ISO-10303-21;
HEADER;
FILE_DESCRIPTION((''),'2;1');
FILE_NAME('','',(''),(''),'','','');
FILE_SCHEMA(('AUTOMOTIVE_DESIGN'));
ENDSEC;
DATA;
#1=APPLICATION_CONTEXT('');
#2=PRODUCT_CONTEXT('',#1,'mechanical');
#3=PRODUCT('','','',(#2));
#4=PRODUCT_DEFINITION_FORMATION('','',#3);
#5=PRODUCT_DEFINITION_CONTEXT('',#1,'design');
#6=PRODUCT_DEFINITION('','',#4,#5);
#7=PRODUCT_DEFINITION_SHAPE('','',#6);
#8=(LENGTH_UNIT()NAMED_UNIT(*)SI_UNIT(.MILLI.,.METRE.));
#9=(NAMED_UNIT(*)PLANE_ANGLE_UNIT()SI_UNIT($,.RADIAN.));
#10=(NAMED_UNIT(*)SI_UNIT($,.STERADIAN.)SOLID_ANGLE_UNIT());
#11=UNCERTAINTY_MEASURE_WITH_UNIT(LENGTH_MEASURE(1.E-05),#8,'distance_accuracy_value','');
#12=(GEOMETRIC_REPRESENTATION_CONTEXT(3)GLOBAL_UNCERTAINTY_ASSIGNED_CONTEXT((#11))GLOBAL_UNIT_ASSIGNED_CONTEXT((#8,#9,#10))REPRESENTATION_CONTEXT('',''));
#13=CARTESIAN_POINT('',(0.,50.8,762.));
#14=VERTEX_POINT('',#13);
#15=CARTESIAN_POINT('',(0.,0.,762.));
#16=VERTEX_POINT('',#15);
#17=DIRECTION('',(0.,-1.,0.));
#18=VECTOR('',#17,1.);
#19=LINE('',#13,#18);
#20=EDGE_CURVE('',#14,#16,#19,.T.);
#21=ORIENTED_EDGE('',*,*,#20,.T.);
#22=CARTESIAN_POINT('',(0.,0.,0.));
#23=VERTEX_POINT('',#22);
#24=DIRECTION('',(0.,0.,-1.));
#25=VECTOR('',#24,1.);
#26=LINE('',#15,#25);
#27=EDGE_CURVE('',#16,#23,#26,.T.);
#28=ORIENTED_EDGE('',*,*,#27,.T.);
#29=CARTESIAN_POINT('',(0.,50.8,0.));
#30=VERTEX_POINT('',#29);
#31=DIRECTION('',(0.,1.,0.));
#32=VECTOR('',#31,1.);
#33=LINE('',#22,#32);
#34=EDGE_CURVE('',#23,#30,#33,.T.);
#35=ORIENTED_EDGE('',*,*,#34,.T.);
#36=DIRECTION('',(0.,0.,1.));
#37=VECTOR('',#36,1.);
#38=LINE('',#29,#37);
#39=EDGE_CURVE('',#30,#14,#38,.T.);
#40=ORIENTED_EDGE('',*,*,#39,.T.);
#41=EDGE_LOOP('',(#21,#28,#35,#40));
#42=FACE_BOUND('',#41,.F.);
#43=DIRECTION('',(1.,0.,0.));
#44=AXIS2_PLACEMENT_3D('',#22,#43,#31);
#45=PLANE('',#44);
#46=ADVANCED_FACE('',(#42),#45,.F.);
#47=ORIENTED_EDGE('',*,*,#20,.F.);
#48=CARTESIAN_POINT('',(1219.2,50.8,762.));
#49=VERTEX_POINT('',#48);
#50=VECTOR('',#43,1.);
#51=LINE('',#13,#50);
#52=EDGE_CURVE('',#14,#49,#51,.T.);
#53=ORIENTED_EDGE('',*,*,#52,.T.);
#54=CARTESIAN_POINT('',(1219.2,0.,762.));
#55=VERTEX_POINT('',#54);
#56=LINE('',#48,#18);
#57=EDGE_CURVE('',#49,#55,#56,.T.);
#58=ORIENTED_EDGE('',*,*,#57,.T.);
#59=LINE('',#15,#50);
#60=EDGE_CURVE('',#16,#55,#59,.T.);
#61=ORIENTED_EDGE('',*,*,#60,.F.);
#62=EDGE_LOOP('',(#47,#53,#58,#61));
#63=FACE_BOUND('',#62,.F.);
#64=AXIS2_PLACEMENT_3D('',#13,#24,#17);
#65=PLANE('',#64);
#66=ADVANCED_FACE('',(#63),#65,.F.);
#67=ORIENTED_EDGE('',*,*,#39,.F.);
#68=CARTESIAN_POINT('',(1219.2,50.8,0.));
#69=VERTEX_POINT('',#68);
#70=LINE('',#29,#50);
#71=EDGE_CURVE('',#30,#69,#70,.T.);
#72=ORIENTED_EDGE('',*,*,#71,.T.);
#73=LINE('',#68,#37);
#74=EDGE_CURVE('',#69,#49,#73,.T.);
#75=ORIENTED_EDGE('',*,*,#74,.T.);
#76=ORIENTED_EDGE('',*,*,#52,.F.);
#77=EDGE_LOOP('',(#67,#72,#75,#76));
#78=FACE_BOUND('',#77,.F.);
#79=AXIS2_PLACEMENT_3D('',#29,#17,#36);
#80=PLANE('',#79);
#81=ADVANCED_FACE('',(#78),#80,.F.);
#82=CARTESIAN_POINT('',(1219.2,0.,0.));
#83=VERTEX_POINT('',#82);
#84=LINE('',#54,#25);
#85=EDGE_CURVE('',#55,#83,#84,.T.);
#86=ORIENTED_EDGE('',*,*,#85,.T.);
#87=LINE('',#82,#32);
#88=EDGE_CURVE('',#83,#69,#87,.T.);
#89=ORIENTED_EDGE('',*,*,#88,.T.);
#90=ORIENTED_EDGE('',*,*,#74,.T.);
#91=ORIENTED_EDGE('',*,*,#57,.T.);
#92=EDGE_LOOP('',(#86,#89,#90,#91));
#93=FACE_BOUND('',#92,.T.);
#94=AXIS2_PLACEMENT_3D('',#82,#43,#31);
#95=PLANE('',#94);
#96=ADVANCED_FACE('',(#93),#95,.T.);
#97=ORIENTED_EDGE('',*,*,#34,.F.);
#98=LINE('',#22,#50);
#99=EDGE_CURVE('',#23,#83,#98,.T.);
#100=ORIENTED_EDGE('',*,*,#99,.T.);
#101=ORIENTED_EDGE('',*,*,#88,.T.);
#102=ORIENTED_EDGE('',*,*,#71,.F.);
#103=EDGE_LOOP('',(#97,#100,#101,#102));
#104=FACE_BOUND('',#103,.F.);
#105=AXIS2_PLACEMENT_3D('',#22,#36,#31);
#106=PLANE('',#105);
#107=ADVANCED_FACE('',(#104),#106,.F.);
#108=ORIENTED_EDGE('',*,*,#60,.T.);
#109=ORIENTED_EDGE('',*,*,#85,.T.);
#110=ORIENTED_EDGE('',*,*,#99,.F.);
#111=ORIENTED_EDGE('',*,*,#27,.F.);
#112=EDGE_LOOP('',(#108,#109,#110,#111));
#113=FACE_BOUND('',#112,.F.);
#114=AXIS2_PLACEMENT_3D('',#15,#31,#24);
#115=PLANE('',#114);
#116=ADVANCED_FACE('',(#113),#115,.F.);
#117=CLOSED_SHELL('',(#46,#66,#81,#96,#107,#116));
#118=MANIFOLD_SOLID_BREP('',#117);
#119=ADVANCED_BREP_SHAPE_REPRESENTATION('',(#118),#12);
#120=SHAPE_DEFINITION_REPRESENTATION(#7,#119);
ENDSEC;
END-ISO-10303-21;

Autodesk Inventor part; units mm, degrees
ref_plane "YZ Plane" through (0, 0, 0) normal (1, 0, 0) x (0, 1, 0)
ref_plane "XZ Plane" through (0, 0, 0) normal (0, 1, 0) x (-1, 0, 0)
ref_plane "XY Plane" through (0, 0, 0) normal (0, 0, 1) x (1, 0, 0)
sketch "Sketch1" plane through (0, 0, 0) normal (1, 0, 0) x (0, 1, 0)
  line L0 (0, 0) -> (50.8, 0)
  line L1 (50.8, 0) -> (50.8, 762)
  line L2 (50.8, 762) -> (0, 762)
  line L3 (0, 762) -> (0, 0)
  dimension "d0" = 50.8
  dimension "d1" = 762
extrude "Extrusion1" add sketch "Sketch1" along normal blind 1219.2
properties part number "2x30x48-7" material "Granite, Cut, Polished"
